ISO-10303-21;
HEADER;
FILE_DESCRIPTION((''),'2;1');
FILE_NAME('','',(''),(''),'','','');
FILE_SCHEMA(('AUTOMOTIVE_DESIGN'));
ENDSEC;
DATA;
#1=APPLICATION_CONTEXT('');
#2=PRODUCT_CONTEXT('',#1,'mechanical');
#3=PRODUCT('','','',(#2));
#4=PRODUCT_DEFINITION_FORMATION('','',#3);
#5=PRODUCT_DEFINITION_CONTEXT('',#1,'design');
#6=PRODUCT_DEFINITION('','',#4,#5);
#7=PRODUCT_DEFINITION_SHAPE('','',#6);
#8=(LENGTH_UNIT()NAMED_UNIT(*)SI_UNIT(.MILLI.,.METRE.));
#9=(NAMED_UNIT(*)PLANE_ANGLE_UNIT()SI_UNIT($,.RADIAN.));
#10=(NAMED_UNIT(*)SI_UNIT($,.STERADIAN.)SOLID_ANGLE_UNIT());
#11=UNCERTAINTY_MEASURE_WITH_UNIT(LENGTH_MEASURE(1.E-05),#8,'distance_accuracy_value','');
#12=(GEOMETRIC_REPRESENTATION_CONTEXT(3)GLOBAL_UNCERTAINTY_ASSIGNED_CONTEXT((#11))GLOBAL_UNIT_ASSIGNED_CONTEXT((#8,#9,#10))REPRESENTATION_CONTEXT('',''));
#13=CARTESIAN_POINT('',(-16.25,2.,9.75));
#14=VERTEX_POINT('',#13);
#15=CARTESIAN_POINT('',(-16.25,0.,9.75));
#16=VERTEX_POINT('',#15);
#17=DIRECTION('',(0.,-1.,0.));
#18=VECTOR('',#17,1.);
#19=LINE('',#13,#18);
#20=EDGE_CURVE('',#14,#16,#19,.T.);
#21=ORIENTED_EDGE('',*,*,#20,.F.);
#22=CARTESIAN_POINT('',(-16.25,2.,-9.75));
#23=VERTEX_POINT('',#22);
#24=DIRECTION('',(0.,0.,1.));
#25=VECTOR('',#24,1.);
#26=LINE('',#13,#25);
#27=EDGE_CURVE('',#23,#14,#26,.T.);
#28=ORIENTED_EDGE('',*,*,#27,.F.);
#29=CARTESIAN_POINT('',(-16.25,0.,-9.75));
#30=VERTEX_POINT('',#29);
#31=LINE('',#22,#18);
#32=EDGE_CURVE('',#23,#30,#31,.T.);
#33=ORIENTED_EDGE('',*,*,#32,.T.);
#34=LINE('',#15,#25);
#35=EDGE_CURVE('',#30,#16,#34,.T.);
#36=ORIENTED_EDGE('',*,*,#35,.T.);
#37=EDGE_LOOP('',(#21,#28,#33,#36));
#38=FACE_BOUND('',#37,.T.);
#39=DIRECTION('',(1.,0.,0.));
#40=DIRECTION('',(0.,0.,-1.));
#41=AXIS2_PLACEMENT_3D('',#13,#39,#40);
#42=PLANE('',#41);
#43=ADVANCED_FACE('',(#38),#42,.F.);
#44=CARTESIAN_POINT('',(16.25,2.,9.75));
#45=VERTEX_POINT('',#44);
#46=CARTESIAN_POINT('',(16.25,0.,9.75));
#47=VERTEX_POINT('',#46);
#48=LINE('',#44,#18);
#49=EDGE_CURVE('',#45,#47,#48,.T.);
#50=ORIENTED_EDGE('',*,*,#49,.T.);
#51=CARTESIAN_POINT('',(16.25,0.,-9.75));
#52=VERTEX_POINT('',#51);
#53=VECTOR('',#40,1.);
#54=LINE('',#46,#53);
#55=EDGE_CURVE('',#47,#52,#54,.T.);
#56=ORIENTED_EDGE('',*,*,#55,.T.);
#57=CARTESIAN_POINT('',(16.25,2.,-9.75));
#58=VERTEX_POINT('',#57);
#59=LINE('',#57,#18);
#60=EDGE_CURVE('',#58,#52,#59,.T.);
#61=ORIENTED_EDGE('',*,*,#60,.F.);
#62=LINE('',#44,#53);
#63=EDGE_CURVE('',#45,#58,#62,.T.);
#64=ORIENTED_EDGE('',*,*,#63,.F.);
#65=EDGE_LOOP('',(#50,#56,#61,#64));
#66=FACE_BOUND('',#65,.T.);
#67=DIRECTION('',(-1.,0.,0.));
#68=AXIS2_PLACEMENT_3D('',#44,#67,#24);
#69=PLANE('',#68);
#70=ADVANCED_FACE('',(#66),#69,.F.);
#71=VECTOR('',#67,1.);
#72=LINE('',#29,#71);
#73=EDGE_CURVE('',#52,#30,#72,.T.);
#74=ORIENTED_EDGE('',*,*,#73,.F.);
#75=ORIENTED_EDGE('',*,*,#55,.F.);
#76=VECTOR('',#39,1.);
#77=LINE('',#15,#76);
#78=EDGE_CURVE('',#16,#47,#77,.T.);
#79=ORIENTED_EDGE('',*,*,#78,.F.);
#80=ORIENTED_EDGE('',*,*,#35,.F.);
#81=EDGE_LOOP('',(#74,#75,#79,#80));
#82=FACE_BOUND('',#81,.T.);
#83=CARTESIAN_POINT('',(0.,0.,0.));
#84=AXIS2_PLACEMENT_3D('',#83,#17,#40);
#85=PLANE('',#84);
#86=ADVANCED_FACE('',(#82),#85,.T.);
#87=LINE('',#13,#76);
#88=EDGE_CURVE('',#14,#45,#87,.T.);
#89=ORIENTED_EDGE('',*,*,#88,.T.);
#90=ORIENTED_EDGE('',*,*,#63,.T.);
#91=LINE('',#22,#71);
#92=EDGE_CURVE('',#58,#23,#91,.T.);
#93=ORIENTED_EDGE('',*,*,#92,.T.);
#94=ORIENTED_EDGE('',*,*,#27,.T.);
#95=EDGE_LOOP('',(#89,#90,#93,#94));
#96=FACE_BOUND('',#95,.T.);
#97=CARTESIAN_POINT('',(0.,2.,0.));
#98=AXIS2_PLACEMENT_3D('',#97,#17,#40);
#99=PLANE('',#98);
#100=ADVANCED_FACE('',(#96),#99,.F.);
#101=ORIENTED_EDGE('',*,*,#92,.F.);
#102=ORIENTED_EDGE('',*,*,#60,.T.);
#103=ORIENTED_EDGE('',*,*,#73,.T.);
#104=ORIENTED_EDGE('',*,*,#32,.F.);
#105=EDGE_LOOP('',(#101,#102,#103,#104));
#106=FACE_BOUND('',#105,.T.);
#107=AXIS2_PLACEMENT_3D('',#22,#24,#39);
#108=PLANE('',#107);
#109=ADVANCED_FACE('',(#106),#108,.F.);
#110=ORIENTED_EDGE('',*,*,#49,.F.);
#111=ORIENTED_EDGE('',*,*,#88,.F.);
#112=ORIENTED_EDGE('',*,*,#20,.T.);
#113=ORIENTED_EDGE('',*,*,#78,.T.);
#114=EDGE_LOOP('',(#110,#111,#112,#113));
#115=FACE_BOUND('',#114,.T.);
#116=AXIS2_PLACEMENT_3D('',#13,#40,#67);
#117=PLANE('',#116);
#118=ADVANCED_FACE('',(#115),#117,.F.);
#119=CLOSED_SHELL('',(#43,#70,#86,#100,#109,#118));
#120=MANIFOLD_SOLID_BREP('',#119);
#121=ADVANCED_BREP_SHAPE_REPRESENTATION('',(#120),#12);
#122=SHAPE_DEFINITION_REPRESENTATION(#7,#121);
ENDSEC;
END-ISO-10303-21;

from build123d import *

# Parameters (mm, degrees)
ESBO_O1_W                = 32.5
ESBO_O1_H                = 19.5
RESSALTO_EXTRUS_O1_DEPTH = 2


with BuildPart() as part:
    # Esboço1 → Ressalto-extrusão1 (new body)
    with BuildSketch(Plane(origin=(0, 0, 0), x_dir=(1, 0, 0), z_dir=(0, 1, 0))):
        Rectangle(ESBO_O1_W, ESBO_O1_H)
    extrude(amount=RESSALTO_EXTRUS_O1_DEPTH)


solid = part.part
